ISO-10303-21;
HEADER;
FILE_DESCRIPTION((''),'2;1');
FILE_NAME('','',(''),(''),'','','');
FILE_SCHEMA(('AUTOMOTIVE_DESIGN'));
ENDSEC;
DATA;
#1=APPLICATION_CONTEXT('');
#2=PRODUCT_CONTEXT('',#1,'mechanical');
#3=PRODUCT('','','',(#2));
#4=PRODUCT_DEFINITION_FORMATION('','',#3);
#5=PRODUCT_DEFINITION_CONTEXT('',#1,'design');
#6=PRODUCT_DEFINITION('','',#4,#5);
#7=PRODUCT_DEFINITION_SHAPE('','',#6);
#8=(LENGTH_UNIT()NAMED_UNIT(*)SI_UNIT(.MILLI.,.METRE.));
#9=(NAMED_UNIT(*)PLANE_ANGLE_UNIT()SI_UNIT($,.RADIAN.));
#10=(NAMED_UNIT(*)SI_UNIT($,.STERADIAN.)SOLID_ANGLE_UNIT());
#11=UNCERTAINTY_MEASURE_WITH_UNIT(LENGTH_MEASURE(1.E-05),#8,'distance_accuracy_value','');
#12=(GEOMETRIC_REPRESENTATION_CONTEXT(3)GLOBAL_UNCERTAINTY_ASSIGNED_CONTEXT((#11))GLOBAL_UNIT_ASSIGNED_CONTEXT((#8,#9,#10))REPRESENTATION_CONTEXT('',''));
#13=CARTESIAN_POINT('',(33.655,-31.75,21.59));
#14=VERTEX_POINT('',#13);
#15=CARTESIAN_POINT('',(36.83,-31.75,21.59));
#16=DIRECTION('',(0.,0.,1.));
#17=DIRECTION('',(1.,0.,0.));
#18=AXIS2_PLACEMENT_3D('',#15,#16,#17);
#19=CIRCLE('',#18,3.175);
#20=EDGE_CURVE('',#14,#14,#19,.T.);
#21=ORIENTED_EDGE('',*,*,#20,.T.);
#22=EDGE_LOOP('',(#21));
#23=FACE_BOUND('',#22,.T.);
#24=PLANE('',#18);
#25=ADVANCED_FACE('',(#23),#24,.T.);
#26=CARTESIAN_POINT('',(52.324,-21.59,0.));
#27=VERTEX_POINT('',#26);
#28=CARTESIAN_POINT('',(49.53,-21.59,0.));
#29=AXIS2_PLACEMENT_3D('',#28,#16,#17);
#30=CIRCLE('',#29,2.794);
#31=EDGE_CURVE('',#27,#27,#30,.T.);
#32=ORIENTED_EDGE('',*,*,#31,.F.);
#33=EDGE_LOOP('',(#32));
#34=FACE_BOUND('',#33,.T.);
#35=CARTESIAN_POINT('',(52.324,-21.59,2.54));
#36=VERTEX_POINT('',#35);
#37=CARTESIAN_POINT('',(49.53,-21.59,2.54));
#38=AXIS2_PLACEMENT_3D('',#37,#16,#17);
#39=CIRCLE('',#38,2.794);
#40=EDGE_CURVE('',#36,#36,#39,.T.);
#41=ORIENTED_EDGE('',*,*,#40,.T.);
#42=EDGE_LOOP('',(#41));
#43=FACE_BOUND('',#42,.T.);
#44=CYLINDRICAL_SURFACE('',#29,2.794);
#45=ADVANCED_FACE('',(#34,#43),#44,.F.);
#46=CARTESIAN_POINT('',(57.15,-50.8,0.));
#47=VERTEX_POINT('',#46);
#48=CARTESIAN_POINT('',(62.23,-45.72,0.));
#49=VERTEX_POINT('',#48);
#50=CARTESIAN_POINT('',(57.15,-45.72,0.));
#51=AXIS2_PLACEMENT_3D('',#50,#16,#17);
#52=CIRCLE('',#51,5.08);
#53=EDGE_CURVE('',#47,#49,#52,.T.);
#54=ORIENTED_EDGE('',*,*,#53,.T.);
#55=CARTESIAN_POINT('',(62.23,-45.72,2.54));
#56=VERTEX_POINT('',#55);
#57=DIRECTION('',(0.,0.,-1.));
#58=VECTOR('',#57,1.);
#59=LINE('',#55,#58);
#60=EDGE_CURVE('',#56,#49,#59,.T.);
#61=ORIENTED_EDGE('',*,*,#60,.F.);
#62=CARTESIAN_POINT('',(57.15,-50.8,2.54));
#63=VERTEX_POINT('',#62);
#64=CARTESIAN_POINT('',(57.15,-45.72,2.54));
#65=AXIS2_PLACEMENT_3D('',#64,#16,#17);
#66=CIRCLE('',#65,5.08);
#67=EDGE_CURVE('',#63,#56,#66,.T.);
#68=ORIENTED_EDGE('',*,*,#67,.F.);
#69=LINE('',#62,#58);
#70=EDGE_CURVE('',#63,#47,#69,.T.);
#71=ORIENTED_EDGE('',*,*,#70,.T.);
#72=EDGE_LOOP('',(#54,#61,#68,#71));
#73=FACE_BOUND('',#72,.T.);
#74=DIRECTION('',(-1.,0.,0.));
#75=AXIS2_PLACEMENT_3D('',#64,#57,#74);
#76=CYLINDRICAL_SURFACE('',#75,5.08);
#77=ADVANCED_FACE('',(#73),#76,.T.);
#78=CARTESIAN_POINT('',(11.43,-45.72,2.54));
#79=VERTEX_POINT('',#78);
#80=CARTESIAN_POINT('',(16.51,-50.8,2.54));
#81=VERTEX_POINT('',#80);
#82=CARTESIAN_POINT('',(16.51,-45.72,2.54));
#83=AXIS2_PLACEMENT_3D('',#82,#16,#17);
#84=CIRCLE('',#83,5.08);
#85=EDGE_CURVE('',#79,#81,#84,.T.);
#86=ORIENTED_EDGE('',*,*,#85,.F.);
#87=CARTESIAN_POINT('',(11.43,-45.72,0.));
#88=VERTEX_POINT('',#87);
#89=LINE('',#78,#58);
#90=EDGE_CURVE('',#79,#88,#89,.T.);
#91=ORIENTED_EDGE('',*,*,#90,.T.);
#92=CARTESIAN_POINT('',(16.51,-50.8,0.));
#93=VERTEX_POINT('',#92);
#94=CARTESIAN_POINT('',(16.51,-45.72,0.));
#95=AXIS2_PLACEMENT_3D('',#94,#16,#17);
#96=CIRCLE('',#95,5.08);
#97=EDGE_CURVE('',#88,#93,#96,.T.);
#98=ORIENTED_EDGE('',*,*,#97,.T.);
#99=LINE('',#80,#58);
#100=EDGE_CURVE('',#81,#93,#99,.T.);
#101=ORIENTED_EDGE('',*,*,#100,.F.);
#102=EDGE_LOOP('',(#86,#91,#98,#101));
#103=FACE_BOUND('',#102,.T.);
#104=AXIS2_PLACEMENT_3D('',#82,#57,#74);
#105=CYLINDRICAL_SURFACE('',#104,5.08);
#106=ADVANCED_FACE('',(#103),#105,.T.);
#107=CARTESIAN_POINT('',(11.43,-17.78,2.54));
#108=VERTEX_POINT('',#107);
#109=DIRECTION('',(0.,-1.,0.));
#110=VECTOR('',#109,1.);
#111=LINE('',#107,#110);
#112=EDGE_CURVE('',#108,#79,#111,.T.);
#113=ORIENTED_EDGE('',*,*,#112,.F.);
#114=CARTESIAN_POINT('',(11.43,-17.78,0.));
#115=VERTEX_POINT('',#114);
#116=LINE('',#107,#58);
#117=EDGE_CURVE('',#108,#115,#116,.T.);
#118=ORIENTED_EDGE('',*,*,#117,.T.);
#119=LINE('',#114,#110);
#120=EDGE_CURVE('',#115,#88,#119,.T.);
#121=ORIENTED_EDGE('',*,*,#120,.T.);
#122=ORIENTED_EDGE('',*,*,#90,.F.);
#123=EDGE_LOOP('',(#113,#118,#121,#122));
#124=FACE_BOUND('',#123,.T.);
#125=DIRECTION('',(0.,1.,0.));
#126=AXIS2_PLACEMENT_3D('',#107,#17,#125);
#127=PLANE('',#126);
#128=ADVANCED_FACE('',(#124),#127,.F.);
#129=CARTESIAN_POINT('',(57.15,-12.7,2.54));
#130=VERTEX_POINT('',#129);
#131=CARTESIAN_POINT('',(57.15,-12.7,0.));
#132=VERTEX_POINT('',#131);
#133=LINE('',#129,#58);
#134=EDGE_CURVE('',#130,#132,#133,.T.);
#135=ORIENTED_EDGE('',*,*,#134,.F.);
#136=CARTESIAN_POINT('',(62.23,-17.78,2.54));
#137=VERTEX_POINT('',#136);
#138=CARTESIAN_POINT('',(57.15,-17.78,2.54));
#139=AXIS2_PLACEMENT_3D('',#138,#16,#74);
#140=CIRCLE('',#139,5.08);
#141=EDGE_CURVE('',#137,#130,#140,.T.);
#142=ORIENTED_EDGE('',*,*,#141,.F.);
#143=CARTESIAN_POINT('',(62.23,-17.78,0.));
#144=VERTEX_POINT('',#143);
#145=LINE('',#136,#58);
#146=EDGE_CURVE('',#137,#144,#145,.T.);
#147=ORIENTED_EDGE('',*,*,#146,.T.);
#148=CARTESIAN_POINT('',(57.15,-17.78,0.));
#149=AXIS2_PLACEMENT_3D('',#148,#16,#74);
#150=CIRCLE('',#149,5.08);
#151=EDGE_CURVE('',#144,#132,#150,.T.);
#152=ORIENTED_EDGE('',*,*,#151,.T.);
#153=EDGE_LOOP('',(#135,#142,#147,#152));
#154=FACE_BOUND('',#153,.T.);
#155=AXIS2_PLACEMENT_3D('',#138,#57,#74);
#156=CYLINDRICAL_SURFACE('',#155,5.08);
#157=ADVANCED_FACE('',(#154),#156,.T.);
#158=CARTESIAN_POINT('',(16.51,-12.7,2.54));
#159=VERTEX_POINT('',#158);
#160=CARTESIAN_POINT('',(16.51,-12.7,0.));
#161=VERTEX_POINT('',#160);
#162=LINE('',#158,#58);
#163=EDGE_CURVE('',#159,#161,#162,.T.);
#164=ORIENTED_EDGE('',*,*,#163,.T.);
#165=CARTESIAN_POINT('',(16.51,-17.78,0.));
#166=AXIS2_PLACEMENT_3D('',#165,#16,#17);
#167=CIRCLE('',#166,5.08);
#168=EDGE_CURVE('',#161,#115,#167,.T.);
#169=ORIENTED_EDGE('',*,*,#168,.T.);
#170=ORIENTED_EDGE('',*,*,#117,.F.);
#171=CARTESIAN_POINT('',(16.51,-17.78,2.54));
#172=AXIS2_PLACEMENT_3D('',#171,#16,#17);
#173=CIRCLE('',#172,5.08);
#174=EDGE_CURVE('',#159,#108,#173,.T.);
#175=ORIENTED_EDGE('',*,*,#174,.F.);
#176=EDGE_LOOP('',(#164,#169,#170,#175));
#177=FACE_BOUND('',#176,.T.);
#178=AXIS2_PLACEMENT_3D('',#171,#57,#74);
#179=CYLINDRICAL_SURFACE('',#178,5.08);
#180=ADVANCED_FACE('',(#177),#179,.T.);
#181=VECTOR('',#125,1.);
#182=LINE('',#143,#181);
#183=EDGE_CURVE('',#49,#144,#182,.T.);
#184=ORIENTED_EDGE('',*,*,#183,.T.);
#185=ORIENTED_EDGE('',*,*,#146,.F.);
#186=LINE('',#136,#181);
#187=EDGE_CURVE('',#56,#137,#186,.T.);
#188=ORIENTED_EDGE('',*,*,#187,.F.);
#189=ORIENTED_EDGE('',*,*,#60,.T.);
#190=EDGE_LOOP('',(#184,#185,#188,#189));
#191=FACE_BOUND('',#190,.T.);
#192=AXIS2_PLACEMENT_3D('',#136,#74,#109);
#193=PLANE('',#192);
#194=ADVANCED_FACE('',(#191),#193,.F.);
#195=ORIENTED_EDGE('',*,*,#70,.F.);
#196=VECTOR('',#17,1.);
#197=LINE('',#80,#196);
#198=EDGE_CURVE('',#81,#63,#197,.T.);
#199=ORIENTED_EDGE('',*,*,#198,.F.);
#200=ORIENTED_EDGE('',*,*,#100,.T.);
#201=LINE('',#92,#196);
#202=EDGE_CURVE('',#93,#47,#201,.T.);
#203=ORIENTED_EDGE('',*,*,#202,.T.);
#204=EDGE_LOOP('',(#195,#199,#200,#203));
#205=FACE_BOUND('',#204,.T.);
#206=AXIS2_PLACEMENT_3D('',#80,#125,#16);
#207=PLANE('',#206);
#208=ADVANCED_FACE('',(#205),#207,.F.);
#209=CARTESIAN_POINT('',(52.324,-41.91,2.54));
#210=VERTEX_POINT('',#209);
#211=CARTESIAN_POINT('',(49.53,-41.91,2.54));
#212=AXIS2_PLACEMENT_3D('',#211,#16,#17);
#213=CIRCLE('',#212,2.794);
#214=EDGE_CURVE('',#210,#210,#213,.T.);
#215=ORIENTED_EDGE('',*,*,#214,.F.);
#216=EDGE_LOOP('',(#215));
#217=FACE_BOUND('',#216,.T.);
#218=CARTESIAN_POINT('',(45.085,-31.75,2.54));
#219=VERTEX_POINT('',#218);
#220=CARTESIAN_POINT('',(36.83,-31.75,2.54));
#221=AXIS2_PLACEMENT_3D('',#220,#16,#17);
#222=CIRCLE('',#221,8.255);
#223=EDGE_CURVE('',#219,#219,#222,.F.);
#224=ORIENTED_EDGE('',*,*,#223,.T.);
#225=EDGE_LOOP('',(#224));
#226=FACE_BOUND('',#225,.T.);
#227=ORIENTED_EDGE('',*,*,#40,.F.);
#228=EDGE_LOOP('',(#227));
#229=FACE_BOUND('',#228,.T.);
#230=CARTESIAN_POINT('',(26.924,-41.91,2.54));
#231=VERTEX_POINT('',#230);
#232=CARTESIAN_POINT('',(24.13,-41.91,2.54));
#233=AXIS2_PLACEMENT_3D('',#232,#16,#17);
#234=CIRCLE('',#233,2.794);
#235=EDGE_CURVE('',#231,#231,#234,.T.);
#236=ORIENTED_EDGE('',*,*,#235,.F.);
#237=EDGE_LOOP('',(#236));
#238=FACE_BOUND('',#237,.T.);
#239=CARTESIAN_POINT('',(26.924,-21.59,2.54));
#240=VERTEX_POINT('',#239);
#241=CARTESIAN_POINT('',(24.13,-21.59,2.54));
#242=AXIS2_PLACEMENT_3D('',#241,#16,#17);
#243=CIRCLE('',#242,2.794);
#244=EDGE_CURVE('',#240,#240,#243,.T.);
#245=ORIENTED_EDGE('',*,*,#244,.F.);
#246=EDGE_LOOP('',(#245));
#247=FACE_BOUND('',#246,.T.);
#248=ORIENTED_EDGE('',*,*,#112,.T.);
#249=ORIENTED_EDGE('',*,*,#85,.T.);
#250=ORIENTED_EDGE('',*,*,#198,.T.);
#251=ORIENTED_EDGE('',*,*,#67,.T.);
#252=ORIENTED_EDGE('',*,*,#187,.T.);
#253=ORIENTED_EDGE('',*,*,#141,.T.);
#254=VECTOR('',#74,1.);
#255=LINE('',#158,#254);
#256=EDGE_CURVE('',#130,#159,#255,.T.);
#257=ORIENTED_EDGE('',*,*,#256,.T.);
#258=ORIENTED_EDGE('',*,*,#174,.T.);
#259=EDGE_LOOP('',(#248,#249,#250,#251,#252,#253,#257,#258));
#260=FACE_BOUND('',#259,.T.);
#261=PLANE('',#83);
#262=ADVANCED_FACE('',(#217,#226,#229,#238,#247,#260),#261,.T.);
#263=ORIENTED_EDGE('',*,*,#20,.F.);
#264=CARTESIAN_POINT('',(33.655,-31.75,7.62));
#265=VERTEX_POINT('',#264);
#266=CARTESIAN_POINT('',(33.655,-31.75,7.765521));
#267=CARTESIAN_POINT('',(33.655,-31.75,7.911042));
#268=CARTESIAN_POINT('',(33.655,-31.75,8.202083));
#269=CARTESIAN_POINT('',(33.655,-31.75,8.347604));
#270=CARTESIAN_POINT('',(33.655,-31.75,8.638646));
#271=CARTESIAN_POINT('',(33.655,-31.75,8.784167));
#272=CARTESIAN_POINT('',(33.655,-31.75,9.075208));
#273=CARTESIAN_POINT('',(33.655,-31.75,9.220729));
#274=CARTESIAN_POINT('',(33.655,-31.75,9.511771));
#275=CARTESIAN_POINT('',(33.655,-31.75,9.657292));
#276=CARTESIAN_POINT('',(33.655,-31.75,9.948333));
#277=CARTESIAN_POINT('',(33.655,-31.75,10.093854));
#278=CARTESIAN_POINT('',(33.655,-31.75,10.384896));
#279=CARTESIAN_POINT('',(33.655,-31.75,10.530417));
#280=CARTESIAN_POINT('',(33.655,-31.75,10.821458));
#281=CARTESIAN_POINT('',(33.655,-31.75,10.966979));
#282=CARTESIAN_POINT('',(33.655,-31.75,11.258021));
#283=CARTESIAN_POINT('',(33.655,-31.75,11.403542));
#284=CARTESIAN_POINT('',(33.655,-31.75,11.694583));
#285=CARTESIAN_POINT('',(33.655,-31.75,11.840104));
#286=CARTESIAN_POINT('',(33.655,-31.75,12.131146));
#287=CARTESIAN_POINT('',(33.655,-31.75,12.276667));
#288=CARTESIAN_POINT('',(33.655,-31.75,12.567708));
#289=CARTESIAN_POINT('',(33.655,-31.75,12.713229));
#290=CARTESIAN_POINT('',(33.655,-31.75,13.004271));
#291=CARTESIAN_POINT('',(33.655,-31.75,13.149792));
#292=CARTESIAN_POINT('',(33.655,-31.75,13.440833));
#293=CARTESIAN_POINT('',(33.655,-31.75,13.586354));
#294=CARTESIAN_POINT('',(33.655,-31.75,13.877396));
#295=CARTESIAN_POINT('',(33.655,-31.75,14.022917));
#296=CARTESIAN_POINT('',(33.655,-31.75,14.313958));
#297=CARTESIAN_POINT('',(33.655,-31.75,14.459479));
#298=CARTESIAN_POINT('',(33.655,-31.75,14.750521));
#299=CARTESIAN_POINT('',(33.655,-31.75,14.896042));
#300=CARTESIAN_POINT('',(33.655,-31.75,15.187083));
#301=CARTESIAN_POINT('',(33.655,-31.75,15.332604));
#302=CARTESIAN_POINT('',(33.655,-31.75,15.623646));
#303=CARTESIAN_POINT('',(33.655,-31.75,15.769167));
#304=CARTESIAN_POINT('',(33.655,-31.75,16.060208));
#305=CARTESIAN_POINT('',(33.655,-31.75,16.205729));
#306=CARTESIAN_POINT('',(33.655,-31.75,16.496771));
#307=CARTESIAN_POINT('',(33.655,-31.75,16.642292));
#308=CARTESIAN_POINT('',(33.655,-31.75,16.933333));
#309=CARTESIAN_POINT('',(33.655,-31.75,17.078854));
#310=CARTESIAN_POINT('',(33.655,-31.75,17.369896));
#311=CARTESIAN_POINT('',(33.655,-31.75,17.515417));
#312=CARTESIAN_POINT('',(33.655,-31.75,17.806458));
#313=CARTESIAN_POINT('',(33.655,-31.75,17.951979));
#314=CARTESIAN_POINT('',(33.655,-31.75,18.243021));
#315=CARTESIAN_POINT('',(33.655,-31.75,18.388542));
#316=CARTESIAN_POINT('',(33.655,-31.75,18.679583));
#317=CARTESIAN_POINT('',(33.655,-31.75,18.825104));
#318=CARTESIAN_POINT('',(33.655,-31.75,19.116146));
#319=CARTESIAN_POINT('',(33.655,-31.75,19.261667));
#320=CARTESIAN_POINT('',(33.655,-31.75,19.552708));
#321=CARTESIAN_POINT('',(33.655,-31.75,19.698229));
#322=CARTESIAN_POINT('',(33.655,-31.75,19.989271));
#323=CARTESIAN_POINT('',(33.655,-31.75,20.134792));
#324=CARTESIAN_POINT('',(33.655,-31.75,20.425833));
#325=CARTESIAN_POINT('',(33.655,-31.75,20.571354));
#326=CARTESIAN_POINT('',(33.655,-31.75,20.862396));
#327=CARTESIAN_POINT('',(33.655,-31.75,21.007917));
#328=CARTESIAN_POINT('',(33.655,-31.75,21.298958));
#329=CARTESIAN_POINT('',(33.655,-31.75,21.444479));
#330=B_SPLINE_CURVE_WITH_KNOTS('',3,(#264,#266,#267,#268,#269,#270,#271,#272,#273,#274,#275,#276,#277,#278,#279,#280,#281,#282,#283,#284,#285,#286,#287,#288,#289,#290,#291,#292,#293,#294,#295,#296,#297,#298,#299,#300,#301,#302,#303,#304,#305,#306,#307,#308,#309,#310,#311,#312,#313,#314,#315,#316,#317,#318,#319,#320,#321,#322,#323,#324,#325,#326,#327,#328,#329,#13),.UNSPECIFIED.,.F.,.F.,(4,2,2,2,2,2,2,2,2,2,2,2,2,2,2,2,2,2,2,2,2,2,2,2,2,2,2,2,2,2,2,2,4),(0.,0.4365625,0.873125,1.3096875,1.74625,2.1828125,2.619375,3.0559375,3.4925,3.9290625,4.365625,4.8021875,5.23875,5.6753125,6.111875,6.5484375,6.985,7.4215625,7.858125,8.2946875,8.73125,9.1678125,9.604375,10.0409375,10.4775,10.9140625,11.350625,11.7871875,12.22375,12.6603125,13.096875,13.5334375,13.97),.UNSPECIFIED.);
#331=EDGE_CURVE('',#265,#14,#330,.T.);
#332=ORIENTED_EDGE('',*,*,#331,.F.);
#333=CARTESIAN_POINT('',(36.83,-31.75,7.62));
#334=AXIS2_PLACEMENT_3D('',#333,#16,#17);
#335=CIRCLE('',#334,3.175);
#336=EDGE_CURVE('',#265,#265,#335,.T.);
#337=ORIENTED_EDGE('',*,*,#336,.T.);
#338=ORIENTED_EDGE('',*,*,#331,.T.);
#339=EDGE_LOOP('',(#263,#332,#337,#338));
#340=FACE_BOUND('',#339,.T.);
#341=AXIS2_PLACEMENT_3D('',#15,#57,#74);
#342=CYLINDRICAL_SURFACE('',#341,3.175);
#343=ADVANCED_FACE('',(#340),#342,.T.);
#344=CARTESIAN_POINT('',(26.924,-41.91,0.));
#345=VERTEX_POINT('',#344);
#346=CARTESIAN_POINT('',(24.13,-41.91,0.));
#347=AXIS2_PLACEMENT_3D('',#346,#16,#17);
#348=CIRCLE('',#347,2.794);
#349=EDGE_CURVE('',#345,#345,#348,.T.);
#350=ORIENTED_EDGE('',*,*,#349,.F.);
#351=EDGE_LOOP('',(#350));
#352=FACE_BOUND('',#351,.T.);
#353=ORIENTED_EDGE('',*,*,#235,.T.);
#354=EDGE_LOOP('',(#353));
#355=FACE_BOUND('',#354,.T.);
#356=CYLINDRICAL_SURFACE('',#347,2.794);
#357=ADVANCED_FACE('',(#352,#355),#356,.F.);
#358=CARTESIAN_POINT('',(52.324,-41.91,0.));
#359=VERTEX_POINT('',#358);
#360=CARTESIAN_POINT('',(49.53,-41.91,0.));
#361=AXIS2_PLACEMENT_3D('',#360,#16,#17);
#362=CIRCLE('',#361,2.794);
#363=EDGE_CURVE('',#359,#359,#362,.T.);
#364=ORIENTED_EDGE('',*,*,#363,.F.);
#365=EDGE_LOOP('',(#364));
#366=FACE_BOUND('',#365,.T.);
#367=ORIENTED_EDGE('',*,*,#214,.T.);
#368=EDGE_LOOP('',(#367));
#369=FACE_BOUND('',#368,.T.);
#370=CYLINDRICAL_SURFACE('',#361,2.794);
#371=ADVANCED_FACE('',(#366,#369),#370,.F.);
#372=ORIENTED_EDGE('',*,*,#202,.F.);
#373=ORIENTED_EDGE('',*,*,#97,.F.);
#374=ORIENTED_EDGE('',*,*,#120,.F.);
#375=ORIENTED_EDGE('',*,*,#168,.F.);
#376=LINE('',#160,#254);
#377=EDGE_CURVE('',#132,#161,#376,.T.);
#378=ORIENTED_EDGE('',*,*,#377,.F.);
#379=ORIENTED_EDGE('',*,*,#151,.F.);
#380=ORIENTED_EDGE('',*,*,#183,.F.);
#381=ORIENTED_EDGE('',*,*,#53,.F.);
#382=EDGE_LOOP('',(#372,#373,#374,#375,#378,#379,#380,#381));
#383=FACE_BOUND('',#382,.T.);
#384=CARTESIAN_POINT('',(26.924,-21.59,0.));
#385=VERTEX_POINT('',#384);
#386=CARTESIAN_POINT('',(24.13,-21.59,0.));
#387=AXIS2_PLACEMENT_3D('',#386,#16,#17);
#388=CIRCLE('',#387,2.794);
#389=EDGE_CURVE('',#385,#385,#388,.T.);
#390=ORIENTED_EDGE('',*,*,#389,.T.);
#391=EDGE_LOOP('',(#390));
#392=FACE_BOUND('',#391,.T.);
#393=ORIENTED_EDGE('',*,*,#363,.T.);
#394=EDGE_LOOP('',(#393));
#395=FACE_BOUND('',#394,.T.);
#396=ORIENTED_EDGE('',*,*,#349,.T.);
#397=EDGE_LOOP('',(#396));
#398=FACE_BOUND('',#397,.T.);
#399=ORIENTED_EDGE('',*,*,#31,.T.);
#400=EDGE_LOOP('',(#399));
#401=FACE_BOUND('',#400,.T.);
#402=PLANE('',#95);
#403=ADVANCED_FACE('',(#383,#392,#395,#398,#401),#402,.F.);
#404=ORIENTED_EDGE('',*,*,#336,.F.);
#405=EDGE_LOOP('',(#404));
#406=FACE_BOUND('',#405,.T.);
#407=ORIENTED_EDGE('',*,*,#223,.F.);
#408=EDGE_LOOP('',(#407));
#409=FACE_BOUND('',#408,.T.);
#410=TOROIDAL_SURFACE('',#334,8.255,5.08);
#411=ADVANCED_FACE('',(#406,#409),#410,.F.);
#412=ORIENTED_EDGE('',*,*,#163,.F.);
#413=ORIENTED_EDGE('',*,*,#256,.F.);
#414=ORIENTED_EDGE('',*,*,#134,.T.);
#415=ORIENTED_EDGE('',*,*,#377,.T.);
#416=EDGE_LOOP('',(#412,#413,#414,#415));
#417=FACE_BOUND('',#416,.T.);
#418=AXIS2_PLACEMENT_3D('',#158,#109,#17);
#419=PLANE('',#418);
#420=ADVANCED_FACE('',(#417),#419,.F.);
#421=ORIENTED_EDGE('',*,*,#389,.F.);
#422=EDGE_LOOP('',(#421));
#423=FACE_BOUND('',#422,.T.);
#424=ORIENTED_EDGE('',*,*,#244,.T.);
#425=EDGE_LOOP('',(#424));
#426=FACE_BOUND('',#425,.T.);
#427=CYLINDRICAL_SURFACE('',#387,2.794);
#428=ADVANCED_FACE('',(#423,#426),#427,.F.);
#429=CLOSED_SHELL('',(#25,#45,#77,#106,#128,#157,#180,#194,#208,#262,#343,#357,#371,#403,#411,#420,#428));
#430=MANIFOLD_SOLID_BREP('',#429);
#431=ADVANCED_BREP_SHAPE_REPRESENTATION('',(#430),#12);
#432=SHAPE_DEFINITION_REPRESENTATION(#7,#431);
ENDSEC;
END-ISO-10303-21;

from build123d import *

# Parameters (mm, degrees)
BOSS_EXTRUDE1_DEPTH = 2.54
SKETCH2_R           = 2.794
CUT_EXTRUDE1_DEPTH  = 81.372038048
SKETCH3_R           = 3.175
BOSS_EXTRUDE2_DEPTH = 19.05
FILLET1_R           = 5.08


with BuildPart() as part:
    # Sketch1 → Boss-Extrude1 (new body)
    with BuildSketch(Plane.XY):
        with BuildLine():
            Line((16.51, -12.7), (57.15, -12.7))
            ThreePointArc((57.15, -12.7), (60.742102448, -14.187897552), (62.23, -17.78))
            Line((62.23, -17.78), (62.23, -45.72))
            ThreePointArc((62.23, -45.72), (60.742102448, -49.312102448), (57.15, -50.8))
            Line((57.15, -50.8), (16.51, -50.8))
            ThreePointArc((16.51, -50.8), (12.917897552, -49.312102448), (11.43, -45.72))
            Line((11.43, -45.72), (11.43, -17.78))
            ThreePointArc((11.43, -17.78), (12.917897552, -14.187897552), (16.51, -12.7))
        make_face()
    extrude(amount=BOSS_EXTRUDE1_DEPTH)

    # Sketch2 → Cut-Extrude1 (cut, through all)
    with BuildSketch(Plane.XY.offset(2.54)):
        with Locations((24.13, -21.59)):
            Circle(SKETCH2_R)
        with Locations((49.53, -21.59)):
            Circle(SKETCH2_R)
        with Locations((24.13, -41.91)):
            Circle(SKETCH2_R)
        with Locations((49.53, -41.91)):
            Circle(SKETCH2_R)
    extrude(amount=-CUT_EXTRUDE1_DEPTH, mode=Mode.SUBTRACT)

    # Sketch3 → Boss-Extrude2 (add)
    with BuildSketch(Plane.XY.offset(2.54)):
        with Locations(Location((36.83, -31.75, 0), (0, 0, 180))):
            Circle(SKETCH3_R)
    extrude(amount=BOSS_EXTRUDE2_DEPTH)

    # Fillet1
    fillet1_edges = [part.edges().sort_by_distance(p)[0] for p in [
        (40.005, -31.75, 2.54),
    ]]
    fillet(fillet1_edges, radius=FILLET1_R)


solid = part.part
